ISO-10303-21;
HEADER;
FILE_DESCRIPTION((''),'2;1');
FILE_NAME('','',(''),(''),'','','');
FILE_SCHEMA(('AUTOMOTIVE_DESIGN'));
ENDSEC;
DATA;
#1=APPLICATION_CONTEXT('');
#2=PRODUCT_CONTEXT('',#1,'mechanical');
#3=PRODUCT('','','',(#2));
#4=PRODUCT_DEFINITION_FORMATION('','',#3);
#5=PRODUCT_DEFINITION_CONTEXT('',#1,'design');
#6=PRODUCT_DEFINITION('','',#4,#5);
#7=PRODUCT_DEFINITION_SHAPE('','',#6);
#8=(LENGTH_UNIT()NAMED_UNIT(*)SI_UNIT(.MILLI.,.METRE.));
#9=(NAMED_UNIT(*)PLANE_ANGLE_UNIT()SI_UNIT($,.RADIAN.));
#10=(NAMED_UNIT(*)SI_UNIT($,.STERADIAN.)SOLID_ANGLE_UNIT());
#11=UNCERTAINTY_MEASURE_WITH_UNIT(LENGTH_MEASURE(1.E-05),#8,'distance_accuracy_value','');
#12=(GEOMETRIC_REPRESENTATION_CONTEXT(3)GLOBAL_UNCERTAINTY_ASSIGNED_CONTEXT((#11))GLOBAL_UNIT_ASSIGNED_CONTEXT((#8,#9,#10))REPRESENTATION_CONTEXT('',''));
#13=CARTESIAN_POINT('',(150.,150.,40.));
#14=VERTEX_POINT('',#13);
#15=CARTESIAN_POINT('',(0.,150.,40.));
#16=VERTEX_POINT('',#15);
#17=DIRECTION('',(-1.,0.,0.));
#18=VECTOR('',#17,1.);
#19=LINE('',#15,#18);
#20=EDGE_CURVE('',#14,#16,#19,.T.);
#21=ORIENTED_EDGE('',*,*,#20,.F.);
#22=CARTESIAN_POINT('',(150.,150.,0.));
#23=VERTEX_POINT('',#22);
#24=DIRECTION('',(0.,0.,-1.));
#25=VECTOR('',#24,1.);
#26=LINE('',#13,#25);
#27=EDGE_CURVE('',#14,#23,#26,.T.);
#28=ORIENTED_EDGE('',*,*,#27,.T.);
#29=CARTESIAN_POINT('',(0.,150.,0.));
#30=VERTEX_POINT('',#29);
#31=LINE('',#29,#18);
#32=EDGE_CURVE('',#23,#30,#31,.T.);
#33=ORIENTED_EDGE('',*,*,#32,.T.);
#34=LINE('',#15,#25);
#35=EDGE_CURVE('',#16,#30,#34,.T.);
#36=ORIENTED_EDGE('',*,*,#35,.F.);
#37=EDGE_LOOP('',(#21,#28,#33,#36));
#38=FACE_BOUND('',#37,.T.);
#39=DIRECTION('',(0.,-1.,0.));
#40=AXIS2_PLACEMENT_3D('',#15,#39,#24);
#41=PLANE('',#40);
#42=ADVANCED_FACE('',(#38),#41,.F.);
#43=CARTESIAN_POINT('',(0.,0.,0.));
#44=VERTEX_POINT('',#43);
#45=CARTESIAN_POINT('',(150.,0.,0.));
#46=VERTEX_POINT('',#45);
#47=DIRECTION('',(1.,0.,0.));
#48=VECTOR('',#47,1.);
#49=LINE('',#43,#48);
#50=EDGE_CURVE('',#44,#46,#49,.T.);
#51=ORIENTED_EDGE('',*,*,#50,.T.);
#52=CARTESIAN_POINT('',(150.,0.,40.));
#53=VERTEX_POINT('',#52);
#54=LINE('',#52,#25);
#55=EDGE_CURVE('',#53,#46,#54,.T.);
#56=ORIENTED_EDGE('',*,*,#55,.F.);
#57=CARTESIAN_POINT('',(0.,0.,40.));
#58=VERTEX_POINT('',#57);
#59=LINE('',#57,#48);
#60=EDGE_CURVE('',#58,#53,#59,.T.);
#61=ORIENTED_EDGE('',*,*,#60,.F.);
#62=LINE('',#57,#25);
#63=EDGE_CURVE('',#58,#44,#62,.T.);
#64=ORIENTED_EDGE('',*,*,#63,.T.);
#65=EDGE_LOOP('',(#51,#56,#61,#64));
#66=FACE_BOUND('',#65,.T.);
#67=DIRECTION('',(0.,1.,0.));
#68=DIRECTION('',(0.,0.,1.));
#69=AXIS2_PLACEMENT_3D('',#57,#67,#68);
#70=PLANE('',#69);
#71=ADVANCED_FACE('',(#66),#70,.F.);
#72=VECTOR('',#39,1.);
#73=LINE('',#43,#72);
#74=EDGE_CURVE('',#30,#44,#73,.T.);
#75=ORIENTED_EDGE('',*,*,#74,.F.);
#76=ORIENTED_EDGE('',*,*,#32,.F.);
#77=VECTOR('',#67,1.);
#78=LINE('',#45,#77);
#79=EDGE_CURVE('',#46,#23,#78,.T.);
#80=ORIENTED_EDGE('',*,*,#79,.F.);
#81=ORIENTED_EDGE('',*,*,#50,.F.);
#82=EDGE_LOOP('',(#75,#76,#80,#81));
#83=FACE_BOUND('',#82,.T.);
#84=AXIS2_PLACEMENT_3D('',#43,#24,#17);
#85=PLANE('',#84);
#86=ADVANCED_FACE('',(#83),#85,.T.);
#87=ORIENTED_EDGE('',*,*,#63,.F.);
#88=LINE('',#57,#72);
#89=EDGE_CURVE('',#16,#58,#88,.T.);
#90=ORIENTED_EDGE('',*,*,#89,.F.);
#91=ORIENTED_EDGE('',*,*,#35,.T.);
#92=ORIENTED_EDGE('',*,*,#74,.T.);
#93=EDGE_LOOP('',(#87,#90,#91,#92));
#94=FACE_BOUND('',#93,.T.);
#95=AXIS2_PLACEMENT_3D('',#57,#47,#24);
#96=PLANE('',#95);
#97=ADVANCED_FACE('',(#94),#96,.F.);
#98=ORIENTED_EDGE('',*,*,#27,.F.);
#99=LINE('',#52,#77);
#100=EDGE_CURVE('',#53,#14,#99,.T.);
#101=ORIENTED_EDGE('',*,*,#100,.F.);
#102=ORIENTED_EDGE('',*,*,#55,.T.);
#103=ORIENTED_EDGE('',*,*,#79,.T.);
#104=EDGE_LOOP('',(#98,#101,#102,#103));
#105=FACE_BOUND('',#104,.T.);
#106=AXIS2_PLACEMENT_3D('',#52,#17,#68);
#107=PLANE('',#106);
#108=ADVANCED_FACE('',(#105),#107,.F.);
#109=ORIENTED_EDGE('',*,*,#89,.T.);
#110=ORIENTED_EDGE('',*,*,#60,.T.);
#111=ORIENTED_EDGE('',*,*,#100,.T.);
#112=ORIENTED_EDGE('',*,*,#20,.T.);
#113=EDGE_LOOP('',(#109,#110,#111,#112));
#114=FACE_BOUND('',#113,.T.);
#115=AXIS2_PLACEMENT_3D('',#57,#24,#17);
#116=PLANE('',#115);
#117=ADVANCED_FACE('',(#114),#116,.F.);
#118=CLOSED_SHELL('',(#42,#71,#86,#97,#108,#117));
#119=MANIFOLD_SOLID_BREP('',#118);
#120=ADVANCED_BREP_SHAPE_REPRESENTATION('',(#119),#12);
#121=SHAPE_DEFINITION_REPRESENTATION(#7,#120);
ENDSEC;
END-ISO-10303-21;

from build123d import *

# Parameters (mm, degrees)
ESBO_O1_W                = 150
ESBO_O1_H                = 150
RESSALTO_EXTRUS_O1_DEPTH = 40


with BuildPart() as part:
    # Esboço1 → Ressalto-extrusão1 (new body)
    with BuildSketch(Plane.XY):
        with Locations((75, 75)):
            Rectangle(ESBO_O1_W, ESBO_O1_H)
    extrude(amount=RESSALTO_EXTRUS_O1_DEPTH)


solid = part.part
